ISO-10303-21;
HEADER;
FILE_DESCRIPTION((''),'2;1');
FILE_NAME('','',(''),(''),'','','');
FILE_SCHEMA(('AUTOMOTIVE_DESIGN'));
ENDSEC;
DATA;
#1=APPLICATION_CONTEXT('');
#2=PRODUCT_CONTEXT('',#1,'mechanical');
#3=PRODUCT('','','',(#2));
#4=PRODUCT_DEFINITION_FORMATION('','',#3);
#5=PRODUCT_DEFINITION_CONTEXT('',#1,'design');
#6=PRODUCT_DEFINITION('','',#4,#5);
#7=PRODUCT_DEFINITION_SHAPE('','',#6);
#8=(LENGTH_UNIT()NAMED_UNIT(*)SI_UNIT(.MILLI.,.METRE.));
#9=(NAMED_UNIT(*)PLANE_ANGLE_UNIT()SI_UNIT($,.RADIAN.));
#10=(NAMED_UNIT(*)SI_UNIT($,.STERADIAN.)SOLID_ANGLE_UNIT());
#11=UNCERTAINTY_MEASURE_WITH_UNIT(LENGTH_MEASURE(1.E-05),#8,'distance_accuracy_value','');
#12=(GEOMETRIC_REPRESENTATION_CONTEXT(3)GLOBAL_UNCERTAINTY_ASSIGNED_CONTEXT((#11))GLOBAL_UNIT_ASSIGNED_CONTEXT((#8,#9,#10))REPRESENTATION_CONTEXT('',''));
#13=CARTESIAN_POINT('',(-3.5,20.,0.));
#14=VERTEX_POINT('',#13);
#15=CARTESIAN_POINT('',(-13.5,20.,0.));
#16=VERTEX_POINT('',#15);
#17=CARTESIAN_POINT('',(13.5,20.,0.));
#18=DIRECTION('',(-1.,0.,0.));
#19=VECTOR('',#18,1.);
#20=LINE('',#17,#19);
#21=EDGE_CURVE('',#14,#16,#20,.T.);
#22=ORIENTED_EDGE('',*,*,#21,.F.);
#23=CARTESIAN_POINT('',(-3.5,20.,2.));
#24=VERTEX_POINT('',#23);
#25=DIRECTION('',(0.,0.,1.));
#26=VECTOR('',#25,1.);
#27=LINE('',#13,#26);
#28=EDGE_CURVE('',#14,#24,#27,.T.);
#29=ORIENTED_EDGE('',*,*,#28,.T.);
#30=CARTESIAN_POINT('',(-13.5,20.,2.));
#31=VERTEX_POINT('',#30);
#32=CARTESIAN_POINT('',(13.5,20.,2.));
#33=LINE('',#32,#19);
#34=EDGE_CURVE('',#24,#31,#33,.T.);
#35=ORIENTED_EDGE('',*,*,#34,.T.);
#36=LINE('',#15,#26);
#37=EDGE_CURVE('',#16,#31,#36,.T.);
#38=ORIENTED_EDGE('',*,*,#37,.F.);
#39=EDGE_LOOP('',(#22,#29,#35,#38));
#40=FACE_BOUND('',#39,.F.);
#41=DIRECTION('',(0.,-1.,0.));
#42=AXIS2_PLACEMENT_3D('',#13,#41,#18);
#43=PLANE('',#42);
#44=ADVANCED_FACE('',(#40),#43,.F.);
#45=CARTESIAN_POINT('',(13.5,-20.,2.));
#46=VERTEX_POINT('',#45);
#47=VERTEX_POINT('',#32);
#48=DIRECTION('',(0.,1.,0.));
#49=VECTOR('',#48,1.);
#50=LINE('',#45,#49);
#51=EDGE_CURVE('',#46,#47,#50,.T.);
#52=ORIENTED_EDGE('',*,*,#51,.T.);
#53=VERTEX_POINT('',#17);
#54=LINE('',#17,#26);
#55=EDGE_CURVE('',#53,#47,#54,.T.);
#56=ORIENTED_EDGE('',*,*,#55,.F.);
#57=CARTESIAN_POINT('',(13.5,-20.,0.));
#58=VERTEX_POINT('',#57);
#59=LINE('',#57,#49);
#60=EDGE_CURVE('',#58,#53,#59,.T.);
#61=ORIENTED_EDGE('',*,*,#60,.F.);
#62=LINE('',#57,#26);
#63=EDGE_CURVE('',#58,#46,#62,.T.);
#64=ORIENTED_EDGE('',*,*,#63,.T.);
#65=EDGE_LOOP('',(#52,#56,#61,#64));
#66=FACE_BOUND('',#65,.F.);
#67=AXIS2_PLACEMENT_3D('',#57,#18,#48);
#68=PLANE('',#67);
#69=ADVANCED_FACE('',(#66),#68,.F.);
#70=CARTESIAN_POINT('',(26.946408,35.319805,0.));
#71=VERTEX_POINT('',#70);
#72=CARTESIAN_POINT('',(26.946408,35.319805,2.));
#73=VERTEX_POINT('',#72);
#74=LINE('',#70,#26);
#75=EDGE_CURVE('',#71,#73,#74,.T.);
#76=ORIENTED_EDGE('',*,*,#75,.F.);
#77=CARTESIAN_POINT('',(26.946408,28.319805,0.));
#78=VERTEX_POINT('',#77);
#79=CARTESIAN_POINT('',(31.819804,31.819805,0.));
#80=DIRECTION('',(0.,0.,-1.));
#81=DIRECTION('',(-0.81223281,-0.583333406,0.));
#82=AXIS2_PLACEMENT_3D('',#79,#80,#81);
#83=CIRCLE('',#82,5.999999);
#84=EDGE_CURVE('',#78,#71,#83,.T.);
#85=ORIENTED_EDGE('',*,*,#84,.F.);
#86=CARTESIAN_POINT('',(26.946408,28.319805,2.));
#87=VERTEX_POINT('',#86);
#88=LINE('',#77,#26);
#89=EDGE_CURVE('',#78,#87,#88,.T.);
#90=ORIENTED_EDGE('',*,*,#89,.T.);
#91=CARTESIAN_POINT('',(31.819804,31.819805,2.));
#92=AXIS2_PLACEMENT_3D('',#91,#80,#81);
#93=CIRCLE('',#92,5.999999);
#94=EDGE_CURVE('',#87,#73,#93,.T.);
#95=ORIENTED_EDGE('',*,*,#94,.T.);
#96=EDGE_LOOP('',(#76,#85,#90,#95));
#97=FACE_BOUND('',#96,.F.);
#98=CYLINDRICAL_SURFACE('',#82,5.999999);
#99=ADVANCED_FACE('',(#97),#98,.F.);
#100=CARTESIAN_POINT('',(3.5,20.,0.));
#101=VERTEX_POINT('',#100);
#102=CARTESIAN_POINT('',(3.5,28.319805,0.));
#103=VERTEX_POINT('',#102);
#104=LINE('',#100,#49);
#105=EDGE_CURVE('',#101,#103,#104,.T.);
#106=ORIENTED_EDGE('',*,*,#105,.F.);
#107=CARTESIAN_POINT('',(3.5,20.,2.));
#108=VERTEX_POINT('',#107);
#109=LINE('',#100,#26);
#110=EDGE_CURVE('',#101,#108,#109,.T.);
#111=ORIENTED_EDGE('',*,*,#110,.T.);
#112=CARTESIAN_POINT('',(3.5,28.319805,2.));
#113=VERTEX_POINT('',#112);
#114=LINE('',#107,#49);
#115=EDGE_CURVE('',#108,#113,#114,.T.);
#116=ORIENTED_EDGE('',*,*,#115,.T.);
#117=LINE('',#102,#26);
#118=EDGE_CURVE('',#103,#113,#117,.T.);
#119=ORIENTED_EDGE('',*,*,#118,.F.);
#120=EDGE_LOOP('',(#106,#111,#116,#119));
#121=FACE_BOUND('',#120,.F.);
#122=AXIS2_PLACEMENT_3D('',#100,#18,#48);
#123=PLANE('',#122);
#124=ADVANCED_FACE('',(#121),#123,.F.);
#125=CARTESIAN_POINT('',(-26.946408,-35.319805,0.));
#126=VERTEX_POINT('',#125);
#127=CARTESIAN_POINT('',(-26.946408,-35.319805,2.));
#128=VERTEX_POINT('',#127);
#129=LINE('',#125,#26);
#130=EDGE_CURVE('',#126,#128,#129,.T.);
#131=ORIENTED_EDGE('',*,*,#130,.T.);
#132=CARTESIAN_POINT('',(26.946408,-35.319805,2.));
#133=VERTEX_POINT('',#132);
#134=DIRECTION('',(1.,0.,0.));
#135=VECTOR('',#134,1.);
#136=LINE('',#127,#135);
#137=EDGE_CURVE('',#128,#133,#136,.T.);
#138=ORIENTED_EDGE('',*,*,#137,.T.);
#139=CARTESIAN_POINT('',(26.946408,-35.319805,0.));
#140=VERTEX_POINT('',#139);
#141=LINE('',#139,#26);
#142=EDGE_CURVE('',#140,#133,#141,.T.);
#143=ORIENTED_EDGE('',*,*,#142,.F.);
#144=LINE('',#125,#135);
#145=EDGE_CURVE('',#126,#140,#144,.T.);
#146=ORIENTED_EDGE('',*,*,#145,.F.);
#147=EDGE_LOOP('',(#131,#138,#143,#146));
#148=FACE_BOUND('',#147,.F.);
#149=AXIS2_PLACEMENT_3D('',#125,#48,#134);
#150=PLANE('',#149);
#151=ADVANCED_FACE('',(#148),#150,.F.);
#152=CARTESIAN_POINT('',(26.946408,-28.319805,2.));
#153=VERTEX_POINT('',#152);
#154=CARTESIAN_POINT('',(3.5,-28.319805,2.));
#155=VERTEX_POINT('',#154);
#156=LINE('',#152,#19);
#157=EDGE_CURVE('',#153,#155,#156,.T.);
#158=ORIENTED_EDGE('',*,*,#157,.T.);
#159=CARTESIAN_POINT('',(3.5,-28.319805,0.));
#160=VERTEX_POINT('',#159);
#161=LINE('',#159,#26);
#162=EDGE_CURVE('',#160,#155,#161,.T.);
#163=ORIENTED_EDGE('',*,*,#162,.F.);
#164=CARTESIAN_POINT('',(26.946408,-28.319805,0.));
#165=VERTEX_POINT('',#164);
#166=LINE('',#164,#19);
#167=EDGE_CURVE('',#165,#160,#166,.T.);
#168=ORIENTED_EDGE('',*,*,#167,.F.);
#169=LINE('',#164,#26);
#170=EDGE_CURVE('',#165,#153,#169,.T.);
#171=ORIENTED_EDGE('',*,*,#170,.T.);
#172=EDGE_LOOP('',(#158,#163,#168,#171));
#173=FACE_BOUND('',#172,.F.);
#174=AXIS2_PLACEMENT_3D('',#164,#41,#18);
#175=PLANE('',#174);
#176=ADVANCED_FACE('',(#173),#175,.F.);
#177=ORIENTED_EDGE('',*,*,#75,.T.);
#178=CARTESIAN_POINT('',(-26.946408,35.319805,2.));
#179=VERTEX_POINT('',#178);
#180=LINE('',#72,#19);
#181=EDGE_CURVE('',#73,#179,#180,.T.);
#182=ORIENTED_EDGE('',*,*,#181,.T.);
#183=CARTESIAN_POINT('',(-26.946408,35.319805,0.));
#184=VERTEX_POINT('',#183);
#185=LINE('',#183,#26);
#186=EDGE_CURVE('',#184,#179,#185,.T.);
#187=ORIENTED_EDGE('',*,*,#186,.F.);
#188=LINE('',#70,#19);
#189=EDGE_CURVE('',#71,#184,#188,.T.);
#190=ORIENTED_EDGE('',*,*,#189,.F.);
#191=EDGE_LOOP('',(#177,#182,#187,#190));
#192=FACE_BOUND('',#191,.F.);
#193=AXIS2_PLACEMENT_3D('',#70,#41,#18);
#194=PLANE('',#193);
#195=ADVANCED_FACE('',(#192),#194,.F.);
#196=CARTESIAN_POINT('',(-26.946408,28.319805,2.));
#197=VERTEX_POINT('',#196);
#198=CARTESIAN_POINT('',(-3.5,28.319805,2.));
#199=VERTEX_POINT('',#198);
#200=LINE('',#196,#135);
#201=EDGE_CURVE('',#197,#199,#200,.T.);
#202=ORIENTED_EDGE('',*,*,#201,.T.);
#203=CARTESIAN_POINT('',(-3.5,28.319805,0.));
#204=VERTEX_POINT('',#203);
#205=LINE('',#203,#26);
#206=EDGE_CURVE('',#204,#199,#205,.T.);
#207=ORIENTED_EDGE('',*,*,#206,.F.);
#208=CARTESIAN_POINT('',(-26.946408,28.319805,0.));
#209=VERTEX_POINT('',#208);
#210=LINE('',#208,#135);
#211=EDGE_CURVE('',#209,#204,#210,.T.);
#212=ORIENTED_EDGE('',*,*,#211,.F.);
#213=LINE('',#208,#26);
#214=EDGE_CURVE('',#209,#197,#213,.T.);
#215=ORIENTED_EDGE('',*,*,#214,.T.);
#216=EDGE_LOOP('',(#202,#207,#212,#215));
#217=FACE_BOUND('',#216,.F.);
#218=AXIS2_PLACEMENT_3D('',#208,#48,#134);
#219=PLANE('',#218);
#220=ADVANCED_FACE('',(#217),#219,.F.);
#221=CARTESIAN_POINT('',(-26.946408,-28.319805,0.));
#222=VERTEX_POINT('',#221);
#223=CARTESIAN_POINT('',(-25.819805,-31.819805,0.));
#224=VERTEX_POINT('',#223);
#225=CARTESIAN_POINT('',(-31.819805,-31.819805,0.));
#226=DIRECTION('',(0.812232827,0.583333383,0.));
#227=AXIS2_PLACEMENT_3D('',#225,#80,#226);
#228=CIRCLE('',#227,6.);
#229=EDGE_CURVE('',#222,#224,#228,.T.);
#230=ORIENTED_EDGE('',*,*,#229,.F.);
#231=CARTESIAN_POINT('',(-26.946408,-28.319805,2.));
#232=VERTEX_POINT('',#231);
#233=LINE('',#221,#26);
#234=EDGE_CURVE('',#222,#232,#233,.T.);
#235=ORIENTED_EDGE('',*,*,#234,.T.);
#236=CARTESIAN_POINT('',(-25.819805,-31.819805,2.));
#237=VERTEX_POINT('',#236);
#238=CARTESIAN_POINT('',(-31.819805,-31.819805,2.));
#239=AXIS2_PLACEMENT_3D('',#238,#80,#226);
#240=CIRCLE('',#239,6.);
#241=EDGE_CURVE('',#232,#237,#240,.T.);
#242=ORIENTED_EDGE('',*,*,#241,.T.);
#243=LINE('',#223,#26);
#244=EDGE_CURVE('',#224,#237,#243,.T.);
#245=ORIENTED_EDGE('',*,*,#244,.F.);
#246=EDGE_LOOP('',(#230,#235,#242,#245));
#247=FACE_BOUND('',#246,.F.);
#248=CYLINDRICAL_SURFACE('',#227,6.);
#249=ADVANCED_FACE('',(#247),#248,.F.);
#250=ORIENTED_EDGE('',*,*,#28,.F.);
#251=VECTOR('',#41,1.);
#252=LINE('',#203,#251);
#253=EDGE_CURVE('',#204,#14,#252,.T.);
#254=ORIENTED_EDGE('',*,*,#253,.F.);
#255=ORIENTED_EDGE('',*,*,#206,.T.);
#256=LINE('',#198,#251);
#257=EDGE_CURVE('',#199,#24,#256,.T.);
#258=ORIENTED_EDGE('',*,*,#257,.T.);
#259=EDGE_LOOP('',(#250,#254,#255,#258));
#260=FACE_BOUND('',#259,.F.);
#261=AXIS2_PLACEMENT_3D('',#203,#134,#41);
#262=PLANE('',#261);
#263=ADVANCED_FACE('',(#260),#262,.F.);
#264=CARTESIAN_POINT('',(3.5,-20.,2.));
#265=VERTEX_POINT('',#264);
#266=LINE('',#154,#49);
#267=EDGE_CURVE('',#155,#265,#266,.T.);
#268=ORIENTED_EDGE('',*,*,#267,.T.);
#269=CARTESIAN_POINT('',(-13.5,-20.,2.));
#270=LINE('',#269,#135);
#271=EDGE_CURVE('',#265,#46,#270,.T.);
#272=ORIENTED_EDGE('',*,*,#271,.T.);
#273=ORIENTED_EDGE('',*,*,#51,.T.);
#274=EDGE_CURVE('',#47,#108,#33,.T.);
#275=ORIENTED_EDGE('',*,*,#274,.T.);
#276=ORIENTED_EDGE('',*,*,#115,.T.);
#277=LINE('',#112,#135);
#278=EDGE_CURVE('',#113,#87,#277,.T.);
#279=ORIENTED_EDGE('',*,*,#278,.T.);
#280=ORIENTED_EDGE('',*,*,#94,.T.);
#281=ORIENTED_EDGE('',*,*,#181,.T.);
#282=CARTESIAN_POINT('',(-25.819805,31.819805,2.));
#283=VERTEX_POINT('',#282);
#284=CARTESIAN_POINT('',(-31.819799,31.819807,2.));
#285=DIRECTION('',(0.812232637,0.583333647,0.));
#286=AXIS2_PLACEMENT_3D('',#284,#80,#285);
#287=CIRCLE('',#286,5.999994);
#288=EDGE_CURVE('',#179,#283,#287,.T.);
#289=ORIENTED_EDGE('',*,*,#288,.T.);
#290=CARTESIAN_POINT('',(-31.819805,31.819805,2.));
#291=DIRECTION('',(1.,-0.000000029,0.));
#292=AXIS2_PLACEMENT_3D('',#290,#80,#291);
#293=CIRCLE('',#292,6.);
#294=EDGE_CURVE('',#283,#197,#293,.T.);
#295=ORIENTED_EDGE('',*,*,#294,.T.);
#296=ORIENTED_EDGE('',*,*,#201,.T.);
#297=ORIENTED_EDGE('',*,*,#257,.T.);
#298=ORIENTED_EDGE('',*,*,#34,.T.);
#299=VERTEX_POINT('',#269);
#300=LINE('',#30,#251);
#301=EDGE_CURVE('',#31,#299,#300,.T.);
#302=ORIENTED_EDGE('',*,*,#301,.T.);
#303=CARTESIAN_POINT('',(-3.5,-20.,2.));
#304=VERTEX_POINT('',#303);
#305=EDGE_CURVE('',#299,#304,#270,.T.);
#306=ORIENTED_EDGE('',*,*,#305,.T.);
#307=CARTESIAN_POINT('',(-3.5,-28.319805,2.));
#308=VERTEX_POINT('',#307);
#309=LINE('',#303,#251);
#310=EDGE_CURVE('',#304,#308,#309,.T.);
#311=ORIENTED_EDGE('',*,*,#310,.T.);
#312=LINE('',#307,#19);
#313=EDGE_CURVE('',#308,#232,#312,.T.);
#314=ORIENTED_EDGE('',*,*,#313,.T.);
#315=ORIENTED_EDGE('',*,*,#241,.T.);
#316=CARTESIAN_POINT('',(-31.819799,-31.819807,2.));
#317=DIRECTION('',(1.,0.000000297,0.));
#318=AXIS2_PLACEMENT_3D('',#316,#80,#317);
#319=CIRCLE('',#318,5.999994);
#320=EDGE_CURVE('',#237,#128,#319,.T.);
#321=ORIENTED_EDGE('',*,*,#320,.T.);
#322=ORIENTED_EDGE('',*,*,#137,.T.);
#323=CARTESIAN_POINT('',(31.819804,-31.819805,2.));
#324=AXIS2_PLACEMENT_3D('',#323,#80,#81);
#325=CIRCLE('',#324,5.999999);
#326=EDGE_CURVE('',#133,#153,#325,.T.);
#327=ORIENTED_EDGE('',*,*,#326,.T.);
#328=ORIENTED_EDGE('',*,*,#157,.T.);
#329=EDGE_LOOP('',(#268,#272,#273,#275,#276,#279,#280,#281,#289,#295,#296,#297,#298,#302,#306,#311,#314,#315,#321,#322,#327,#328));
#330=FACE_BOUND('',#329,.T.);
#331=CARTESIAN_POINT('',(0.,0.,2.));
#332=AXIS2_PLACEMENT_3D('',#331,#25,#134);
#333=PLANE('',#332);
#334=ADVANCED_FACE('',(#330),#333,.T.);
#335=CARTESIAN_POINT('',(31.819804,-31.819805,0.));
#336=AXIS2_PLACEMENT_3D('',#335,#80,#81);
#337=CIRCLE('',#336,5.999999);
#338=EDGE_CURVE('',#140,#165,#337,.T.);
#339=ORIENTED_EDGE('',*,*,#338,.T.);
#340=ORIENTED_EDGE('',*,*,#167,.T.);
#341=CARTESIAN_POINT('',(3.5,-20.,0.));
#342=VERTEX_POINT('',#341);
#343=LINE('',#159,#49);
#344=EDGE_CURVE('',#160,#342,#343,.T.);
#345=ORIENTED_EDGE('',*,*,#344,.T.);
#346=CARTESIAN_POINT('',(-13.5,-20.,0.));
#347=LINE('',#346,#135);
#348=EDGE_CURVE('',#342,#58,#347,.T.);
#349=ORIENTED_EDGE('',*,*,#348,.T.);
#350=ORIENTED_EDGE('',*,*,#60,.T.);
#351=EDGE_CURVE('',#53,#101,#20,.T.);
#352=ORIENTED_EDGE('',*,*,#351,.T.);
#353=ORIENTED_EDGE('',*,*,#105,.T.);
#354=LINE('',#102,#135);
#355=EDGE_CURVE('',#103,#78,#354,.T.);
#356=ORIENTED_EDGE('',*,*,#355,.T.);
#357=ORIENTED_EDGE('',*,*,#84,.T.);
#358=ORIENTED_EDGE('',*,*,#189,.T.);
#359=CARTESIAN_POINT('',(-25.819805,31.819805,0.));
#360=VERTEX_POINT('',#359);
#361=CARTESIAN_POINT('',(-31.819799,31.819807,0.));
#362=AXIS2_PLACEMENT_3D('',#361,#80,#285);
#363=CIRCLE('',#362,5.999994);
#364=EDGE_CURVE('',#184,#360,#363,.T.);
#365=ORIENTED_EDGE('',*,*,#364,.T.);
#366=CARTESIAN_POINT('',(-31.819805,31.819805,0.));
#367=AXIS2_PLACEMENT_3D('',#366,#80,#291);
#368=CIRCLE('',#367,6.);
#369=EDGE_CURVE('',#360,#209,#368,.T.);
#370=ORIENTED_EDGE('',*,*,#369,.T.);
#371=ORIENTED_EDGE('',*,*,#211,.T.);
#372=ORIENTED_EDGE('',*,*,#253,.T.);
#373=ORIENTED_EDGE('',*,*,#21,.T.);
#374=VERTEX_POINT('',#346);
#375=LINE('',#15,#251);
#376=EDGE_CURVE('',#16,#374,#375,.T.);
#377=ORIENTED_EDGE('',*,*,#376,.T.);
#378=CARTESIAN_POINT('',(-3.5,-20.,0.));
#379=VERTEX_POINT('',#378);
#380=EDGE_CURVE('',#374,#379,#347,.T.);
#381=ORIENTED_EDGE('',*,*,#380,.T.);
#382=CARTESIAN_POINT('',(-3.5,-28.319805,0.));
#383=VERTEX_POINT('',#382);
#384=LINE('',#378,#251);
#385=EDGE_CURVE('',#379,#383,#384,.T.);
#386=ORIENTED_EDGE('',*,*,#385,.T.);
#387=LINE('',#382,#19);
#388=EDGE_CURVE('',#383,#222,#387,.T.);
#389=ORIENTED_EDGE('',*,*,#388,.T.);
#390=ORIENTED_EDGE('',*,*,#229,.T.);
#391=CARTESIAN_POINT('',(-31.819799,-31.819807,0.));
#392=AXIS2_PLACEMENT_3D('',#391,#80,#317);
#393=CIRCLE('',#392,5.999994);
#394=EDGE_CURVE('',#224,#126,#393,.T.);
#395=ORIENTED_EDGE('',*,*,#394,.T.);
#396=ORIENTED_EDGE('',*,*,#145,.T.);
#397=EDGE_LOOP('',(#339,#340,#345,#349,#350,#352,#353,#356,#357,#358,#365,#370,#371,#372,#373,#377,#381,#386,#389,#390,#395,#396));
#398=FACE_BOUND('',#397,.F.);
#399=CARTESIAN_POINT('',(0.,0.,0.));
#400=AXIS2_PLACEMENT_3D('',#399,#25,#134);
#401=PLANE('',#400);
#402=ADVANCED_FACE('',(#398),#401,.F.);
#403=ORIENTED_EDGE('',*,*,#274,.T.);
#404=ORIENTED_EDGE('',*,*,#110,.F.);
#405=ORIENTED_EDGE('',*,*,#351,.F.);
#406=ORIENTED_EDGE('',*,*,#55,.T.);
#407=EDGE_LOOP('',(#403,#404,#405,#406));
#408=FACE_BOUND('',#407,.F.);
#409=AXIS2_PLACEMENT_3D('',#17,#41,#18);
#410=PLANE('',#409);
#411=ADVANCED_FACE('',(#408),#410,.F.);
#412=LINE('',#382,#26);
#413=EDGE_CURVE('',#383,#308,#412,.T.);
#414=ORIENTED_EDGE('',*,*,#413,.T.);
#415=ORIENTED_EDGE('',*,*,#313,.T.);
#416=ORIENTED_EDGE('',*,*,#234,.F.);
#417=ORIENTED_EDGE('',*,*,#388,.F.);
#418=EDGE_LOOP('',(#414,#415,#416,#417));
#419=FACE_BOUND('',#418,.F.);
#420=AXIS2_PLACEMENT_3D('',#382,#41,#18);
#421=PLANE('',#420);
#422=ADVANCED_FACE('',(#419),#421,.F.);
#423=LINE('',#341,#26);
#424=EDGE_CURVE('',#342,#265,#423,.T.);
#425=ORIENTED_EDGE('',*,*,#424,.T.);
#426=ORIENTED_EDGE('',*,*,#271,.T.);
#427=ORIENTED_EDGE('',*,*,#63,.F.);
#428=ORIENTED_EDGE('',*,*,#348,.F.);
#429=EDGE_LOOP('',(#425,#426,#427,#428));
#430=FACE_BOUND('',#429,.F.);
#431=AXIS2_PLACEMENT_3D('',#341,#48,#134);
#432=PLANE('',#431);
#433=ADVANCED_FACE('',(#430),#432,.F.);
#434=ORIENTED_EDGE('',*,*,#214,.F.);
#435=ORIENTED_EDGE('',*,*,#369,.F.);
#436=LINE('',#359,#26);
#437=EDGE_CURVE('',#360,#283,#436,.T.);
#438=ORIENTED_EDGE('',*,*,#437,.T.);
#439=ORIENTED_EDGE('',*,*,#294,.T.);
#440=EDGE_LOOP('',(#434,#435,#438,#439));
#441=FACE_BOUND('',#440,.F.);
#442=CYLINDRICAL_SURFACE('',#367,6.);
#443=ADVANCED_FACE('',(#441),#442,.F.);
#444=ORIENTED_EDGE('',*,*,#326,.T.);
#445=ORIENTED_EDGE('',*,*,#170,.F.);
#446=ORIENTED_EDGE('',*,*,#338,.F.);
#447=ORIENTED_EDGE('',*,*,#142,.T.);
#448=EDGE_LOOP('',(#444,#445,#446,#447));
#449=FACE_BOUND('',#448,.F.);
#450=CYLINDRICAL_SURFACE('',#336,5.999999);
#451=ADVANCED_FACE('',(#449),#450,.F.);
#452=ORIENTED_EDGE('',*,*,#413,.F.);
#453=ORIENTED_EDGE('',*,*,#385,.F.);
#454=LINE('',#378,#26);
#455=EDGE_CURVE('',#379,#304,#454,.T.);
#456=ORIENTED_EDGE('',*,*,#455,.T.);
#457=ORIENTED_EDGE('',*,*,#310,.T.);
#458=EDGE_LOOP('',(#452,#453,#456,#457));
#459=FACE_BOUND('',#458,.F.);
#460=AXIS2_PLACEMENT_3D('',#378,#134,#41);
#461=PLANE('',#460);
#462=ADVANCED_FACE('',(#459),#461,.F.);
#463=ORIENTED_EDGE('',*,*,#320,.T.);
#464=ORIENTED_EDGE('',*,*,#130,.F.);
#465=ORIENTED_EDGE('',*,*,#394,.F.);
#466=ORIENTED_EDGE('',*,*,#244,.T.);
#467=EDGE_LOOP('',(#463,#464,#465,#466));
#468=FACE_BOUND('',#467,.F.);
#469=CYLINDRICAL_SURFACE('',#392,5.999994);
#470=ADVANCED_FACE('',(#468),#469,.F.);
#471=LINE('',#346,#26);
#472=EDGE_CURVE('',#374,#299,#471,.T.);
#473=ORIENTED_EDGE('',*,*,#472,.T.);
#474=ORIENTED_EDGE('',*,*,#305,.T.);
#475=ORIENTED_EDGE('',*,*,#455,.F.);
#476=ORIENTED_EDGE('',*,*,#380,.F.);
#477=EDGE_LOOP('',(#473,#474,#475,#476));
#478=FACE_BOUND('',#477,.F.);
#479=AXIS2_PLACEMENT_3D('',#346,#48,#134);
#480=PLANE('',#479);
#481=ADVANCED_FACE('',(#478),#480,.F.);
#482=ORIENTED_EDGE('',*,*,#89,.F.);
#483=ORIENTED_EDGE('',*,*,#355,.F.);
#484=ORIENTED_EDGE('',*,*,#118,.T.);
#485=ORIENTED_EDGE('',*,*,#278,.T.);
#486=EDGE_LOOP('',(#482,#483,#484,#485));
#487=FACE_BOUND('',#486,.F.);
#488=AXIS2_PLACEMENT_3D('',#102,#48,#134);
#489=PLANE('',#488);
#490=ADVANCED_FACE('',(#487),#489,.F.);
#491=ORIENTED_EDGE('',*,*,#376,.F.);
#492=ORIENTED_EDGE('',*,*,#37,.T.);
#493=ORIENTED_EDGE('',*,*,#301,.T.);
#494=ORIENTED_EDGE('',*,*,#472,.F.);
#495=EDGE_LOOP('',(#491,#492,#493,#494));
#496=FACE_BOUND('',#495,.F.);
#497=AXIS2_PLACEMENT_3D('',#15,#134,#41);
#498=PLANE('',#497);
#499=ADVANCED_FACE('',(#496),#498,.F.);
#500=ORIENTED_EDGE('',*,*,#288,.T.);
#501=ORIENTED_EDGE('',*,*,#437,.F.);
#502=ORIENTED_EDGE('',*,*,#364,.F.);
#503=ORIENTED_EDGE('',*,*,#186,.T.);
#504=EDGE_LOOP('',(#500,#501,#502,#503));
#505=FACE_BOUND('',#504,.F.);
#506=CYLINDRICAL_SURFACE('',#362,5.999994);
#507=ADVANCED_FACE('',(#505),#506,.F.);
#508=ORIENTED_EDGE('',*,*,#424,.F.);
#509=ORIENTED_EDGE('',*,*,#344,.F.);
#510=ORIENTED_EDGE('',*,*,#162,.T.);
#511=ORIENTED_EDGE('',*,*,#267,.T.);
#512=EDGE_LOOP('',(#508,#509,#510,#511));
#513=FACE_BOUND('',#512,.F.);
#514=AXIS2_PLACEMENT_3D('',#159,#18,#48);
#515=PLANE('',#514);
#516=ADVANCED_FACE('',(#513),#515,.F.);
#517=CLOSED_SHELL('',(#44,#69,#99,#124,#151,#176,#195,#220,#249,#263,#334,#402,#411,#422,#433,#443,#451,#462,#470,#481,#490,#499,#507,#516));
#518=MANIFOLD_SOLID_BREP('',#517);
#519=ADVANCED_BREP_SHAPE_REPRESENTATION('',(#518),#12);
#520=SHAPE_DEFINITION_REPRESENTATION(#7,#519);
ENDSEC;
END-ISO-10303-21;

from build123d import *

# Parameters (mm, degrees)
F1_DEPTH = 2


with BuildPart() as f1:
    # F0 (on Top) → F1 (new body)
    with BuildSketch(Plane.XY):
        Polygon((13.5, 20), (3.5, 20), (-3.5, 20), (-13.5, 20), (-13.5, -20), (-3.5, -20), (3.5, -20), (13.5, -20), align=None)
        with BuildLine():
            Line((3.5, -28.319805), (3.5, -20))
            Line((3.5, -20), (-3.5, -20))
            Line((-3.5, -20), (-3.5, -28.319805))
            Line((-3.5, -28.319805), (-26.946408, -28.319805))
            ThreePointArc((-26.946408, -28.319805), (-26.108396, -29.98138), (-25.819805, -31.819805))
            ThreePointArc((-25.819805, -31.819805), (-26.108396, -33.658231), (-26.946408, -35.319805))
            Line((-26.946408, -35.319805), (26.946408, -35.319805))
            ThreePointArc((26.946408, -35.319805), (25.819805, -31.819805), (26.946408, -28.319805))
            Line((26.946408, -28.319805), (3.5, -28.319805))
        make_face()
        with BuildLine():
            ThreePointArc((26.946408, 28.319805), (25.819805, 31.819805), (26.946408, 35.319805))
            Line((26.946408, 35.319805), (-26.946408, 35.319805))
            ThreePointArc((-26.946408, 35.319805), (-26.108396, 33.658231), (-25.819805, 31.819805))
            ThreePointArc((-25.819805, 31.819805), (-26.108396, 29.98138), (-26.946408, 28.319805))
            Line((-26.946408, 28.319805), (-3.5, 28.319805))
            Line((-3.5, 28.319805), (-3.5, 20))
            Line((-3.5, 20), (3.5, 20))
            Line((3.5, 20), (3.5, 28.319805))
            Line((3.5, 28.319805), (26.946408, 28.319805))
        make_face()
    extrude(amount=F1_DEPTH)


solid = f1.part
